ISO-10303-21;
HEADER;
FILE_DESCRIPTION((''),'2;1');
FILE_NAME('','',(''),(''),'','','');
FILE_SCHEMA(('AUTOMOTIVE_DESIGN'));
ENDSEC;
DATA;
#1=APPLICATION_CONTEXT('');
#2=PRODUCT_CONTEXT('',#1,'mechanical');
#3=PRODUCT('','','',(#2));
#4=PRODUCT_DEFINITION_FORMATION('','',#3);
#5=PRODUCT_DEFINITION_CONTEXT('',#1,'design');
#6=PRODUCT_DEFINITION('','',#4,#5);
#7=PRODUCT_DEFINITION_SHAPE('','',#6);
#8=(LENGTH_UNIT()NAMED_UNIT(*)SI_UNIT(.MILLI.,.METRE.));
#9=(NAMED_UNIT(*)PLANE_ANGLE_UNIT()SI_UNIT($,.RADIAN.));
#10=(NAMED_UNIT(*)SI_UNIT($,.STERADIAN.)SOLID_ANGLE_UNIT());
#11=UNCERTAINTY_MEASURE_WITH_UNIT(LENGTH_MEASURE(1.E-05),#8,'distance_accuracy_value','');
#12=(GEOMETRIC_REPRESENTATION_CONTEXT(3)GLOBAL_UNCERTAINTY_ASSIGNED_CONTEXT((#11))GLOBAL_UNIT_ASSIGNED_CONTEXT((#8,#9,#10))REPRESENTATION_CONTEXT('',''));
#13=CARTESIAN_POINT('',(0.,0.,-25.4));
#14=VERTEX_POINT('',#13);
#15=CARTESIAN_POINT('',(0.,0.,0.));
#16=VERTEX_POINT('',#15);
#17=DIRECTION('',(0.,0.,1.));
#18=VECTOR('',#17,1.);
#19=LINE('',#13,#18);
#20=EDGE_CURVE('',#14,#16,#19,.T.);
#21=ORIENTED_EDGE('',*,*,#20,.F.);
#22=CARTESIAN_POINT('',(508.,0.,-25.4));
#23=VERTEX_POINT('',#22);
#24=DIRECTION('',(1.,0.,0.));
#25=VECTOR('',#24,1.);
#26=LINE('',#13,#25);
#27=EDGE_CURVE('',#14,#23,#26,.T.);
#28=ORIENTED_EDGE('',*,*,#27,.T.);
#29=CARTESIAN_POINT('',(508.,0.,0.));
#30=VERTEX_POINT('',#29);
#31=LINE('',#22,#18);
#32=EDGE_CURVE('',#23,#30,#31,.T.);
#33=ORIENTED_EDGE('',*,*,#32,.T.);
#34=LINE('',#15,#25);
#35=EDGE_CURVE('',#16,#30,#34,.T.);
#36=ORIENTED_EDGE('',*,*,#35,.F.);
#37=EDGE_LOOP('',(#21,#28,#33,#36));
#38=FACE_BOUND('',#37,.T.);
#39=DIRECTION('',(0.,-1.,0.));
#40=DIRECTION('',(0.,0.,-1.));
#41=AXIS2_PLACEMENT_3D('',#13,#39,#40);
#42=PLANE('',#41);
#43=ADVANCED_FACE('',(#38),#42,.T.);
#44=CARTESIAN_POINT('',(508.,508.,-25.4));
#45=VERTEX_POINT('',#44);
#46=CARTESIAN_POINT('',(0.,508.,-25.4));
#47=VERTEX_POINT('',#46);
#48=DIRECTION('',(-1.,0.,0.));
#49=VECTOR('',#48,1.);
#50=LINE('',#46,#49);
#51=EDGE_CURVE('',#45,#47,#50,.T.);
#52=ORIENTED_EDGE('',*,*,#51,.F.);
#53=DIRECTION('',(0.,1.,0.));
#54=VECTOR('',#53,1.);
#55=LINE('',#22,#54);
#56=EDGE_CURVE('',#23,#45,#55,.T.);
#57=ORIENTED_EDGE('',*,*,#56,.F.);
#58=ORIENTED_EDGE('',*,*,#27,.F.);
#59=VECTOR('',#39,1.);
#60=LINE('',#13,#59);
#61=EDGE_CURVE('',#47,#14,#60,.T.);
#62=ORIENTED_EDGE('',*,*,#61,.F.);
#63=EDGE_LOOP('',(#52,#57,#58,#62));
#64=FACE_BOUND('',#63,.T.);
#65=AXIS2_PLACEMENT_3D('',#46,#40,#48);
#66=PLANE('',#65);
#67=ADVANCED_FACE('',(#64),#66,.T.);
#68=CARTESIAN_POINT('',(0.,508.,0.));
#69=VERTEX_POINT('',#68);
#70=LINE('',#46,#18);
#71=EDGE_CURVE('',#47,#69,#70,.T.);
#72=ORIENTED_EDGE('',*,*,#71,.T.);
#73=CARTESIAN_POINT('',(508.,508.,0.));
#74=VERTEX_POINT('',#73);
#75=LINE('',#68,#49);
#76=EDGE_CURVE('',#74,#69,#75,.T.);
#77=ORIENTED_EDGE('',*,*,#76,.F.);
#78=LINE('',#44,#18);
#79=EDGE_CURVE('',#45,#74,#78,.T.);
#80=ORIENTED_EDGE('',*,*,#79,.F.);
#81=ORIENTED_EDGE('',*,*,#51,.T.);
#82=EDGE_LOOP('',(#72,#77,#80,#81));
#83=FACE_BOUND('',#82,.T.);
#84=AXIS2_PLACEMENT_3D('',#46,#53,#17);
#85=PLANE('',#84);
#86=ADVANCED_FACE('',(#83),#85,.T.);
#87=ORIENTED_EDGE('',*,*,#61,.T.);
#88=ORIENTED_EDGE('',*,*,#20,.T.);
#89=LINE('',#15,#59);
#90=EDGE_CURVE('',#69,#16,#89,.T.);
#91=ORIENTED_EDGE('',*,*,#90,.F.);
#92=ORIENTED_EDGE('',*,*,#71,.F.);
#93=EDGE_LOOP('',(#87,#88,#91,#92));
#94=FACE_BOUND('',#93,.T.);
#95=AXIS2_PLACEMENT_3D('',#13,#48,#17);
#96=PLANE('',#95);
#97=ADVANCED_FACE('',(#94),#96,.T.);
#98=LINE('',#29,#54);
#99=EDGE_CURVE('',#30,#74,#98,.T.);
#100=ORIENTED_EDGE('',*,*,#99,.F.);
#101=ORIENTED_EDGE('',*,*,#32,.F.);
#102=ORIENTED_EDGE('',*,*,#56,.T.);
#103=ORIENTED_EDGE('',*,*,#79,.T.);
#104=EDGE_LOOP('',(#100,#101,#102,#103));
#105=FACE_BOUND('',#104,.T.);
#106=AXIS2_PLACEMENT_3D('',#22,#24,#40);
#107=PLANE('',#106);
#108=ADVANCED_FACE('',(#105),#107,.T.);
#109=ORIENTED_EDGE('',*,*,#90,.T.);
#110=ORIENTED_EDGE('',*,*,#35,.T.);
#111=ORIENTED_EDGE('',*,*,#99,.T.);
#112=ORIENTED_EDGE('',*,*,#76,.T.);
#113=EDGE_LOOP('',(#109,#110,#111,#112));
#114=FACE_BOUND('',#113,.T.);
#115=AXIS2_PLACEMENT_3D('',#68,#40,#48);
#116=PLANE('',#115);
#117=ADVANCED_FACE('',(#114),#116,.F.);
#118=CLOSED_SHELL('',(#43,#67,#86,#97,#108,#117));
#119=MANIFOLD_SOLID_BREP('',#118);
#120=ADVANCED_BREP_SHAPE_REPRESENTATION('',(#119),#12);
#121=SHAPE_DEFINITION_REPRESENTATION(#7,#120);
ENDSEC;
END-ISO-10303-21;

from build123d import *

# Parameters (mm, degrees)
SKETCH1_W      = 508
SKETCH1_H      = 508
EXTRUDE1_DEPTH = 25.4


with BuildPart() as part:
    # Sketch1 → Extrude1 (new body)
    with BuildSketch(Plane.XY):
        with Locations((254, 254)):
            Rectangle(SKETCH1_W, SKETCH1_H)
    extrude(amount=-EXTRUDE1_DEPTH)


solid = part.part
